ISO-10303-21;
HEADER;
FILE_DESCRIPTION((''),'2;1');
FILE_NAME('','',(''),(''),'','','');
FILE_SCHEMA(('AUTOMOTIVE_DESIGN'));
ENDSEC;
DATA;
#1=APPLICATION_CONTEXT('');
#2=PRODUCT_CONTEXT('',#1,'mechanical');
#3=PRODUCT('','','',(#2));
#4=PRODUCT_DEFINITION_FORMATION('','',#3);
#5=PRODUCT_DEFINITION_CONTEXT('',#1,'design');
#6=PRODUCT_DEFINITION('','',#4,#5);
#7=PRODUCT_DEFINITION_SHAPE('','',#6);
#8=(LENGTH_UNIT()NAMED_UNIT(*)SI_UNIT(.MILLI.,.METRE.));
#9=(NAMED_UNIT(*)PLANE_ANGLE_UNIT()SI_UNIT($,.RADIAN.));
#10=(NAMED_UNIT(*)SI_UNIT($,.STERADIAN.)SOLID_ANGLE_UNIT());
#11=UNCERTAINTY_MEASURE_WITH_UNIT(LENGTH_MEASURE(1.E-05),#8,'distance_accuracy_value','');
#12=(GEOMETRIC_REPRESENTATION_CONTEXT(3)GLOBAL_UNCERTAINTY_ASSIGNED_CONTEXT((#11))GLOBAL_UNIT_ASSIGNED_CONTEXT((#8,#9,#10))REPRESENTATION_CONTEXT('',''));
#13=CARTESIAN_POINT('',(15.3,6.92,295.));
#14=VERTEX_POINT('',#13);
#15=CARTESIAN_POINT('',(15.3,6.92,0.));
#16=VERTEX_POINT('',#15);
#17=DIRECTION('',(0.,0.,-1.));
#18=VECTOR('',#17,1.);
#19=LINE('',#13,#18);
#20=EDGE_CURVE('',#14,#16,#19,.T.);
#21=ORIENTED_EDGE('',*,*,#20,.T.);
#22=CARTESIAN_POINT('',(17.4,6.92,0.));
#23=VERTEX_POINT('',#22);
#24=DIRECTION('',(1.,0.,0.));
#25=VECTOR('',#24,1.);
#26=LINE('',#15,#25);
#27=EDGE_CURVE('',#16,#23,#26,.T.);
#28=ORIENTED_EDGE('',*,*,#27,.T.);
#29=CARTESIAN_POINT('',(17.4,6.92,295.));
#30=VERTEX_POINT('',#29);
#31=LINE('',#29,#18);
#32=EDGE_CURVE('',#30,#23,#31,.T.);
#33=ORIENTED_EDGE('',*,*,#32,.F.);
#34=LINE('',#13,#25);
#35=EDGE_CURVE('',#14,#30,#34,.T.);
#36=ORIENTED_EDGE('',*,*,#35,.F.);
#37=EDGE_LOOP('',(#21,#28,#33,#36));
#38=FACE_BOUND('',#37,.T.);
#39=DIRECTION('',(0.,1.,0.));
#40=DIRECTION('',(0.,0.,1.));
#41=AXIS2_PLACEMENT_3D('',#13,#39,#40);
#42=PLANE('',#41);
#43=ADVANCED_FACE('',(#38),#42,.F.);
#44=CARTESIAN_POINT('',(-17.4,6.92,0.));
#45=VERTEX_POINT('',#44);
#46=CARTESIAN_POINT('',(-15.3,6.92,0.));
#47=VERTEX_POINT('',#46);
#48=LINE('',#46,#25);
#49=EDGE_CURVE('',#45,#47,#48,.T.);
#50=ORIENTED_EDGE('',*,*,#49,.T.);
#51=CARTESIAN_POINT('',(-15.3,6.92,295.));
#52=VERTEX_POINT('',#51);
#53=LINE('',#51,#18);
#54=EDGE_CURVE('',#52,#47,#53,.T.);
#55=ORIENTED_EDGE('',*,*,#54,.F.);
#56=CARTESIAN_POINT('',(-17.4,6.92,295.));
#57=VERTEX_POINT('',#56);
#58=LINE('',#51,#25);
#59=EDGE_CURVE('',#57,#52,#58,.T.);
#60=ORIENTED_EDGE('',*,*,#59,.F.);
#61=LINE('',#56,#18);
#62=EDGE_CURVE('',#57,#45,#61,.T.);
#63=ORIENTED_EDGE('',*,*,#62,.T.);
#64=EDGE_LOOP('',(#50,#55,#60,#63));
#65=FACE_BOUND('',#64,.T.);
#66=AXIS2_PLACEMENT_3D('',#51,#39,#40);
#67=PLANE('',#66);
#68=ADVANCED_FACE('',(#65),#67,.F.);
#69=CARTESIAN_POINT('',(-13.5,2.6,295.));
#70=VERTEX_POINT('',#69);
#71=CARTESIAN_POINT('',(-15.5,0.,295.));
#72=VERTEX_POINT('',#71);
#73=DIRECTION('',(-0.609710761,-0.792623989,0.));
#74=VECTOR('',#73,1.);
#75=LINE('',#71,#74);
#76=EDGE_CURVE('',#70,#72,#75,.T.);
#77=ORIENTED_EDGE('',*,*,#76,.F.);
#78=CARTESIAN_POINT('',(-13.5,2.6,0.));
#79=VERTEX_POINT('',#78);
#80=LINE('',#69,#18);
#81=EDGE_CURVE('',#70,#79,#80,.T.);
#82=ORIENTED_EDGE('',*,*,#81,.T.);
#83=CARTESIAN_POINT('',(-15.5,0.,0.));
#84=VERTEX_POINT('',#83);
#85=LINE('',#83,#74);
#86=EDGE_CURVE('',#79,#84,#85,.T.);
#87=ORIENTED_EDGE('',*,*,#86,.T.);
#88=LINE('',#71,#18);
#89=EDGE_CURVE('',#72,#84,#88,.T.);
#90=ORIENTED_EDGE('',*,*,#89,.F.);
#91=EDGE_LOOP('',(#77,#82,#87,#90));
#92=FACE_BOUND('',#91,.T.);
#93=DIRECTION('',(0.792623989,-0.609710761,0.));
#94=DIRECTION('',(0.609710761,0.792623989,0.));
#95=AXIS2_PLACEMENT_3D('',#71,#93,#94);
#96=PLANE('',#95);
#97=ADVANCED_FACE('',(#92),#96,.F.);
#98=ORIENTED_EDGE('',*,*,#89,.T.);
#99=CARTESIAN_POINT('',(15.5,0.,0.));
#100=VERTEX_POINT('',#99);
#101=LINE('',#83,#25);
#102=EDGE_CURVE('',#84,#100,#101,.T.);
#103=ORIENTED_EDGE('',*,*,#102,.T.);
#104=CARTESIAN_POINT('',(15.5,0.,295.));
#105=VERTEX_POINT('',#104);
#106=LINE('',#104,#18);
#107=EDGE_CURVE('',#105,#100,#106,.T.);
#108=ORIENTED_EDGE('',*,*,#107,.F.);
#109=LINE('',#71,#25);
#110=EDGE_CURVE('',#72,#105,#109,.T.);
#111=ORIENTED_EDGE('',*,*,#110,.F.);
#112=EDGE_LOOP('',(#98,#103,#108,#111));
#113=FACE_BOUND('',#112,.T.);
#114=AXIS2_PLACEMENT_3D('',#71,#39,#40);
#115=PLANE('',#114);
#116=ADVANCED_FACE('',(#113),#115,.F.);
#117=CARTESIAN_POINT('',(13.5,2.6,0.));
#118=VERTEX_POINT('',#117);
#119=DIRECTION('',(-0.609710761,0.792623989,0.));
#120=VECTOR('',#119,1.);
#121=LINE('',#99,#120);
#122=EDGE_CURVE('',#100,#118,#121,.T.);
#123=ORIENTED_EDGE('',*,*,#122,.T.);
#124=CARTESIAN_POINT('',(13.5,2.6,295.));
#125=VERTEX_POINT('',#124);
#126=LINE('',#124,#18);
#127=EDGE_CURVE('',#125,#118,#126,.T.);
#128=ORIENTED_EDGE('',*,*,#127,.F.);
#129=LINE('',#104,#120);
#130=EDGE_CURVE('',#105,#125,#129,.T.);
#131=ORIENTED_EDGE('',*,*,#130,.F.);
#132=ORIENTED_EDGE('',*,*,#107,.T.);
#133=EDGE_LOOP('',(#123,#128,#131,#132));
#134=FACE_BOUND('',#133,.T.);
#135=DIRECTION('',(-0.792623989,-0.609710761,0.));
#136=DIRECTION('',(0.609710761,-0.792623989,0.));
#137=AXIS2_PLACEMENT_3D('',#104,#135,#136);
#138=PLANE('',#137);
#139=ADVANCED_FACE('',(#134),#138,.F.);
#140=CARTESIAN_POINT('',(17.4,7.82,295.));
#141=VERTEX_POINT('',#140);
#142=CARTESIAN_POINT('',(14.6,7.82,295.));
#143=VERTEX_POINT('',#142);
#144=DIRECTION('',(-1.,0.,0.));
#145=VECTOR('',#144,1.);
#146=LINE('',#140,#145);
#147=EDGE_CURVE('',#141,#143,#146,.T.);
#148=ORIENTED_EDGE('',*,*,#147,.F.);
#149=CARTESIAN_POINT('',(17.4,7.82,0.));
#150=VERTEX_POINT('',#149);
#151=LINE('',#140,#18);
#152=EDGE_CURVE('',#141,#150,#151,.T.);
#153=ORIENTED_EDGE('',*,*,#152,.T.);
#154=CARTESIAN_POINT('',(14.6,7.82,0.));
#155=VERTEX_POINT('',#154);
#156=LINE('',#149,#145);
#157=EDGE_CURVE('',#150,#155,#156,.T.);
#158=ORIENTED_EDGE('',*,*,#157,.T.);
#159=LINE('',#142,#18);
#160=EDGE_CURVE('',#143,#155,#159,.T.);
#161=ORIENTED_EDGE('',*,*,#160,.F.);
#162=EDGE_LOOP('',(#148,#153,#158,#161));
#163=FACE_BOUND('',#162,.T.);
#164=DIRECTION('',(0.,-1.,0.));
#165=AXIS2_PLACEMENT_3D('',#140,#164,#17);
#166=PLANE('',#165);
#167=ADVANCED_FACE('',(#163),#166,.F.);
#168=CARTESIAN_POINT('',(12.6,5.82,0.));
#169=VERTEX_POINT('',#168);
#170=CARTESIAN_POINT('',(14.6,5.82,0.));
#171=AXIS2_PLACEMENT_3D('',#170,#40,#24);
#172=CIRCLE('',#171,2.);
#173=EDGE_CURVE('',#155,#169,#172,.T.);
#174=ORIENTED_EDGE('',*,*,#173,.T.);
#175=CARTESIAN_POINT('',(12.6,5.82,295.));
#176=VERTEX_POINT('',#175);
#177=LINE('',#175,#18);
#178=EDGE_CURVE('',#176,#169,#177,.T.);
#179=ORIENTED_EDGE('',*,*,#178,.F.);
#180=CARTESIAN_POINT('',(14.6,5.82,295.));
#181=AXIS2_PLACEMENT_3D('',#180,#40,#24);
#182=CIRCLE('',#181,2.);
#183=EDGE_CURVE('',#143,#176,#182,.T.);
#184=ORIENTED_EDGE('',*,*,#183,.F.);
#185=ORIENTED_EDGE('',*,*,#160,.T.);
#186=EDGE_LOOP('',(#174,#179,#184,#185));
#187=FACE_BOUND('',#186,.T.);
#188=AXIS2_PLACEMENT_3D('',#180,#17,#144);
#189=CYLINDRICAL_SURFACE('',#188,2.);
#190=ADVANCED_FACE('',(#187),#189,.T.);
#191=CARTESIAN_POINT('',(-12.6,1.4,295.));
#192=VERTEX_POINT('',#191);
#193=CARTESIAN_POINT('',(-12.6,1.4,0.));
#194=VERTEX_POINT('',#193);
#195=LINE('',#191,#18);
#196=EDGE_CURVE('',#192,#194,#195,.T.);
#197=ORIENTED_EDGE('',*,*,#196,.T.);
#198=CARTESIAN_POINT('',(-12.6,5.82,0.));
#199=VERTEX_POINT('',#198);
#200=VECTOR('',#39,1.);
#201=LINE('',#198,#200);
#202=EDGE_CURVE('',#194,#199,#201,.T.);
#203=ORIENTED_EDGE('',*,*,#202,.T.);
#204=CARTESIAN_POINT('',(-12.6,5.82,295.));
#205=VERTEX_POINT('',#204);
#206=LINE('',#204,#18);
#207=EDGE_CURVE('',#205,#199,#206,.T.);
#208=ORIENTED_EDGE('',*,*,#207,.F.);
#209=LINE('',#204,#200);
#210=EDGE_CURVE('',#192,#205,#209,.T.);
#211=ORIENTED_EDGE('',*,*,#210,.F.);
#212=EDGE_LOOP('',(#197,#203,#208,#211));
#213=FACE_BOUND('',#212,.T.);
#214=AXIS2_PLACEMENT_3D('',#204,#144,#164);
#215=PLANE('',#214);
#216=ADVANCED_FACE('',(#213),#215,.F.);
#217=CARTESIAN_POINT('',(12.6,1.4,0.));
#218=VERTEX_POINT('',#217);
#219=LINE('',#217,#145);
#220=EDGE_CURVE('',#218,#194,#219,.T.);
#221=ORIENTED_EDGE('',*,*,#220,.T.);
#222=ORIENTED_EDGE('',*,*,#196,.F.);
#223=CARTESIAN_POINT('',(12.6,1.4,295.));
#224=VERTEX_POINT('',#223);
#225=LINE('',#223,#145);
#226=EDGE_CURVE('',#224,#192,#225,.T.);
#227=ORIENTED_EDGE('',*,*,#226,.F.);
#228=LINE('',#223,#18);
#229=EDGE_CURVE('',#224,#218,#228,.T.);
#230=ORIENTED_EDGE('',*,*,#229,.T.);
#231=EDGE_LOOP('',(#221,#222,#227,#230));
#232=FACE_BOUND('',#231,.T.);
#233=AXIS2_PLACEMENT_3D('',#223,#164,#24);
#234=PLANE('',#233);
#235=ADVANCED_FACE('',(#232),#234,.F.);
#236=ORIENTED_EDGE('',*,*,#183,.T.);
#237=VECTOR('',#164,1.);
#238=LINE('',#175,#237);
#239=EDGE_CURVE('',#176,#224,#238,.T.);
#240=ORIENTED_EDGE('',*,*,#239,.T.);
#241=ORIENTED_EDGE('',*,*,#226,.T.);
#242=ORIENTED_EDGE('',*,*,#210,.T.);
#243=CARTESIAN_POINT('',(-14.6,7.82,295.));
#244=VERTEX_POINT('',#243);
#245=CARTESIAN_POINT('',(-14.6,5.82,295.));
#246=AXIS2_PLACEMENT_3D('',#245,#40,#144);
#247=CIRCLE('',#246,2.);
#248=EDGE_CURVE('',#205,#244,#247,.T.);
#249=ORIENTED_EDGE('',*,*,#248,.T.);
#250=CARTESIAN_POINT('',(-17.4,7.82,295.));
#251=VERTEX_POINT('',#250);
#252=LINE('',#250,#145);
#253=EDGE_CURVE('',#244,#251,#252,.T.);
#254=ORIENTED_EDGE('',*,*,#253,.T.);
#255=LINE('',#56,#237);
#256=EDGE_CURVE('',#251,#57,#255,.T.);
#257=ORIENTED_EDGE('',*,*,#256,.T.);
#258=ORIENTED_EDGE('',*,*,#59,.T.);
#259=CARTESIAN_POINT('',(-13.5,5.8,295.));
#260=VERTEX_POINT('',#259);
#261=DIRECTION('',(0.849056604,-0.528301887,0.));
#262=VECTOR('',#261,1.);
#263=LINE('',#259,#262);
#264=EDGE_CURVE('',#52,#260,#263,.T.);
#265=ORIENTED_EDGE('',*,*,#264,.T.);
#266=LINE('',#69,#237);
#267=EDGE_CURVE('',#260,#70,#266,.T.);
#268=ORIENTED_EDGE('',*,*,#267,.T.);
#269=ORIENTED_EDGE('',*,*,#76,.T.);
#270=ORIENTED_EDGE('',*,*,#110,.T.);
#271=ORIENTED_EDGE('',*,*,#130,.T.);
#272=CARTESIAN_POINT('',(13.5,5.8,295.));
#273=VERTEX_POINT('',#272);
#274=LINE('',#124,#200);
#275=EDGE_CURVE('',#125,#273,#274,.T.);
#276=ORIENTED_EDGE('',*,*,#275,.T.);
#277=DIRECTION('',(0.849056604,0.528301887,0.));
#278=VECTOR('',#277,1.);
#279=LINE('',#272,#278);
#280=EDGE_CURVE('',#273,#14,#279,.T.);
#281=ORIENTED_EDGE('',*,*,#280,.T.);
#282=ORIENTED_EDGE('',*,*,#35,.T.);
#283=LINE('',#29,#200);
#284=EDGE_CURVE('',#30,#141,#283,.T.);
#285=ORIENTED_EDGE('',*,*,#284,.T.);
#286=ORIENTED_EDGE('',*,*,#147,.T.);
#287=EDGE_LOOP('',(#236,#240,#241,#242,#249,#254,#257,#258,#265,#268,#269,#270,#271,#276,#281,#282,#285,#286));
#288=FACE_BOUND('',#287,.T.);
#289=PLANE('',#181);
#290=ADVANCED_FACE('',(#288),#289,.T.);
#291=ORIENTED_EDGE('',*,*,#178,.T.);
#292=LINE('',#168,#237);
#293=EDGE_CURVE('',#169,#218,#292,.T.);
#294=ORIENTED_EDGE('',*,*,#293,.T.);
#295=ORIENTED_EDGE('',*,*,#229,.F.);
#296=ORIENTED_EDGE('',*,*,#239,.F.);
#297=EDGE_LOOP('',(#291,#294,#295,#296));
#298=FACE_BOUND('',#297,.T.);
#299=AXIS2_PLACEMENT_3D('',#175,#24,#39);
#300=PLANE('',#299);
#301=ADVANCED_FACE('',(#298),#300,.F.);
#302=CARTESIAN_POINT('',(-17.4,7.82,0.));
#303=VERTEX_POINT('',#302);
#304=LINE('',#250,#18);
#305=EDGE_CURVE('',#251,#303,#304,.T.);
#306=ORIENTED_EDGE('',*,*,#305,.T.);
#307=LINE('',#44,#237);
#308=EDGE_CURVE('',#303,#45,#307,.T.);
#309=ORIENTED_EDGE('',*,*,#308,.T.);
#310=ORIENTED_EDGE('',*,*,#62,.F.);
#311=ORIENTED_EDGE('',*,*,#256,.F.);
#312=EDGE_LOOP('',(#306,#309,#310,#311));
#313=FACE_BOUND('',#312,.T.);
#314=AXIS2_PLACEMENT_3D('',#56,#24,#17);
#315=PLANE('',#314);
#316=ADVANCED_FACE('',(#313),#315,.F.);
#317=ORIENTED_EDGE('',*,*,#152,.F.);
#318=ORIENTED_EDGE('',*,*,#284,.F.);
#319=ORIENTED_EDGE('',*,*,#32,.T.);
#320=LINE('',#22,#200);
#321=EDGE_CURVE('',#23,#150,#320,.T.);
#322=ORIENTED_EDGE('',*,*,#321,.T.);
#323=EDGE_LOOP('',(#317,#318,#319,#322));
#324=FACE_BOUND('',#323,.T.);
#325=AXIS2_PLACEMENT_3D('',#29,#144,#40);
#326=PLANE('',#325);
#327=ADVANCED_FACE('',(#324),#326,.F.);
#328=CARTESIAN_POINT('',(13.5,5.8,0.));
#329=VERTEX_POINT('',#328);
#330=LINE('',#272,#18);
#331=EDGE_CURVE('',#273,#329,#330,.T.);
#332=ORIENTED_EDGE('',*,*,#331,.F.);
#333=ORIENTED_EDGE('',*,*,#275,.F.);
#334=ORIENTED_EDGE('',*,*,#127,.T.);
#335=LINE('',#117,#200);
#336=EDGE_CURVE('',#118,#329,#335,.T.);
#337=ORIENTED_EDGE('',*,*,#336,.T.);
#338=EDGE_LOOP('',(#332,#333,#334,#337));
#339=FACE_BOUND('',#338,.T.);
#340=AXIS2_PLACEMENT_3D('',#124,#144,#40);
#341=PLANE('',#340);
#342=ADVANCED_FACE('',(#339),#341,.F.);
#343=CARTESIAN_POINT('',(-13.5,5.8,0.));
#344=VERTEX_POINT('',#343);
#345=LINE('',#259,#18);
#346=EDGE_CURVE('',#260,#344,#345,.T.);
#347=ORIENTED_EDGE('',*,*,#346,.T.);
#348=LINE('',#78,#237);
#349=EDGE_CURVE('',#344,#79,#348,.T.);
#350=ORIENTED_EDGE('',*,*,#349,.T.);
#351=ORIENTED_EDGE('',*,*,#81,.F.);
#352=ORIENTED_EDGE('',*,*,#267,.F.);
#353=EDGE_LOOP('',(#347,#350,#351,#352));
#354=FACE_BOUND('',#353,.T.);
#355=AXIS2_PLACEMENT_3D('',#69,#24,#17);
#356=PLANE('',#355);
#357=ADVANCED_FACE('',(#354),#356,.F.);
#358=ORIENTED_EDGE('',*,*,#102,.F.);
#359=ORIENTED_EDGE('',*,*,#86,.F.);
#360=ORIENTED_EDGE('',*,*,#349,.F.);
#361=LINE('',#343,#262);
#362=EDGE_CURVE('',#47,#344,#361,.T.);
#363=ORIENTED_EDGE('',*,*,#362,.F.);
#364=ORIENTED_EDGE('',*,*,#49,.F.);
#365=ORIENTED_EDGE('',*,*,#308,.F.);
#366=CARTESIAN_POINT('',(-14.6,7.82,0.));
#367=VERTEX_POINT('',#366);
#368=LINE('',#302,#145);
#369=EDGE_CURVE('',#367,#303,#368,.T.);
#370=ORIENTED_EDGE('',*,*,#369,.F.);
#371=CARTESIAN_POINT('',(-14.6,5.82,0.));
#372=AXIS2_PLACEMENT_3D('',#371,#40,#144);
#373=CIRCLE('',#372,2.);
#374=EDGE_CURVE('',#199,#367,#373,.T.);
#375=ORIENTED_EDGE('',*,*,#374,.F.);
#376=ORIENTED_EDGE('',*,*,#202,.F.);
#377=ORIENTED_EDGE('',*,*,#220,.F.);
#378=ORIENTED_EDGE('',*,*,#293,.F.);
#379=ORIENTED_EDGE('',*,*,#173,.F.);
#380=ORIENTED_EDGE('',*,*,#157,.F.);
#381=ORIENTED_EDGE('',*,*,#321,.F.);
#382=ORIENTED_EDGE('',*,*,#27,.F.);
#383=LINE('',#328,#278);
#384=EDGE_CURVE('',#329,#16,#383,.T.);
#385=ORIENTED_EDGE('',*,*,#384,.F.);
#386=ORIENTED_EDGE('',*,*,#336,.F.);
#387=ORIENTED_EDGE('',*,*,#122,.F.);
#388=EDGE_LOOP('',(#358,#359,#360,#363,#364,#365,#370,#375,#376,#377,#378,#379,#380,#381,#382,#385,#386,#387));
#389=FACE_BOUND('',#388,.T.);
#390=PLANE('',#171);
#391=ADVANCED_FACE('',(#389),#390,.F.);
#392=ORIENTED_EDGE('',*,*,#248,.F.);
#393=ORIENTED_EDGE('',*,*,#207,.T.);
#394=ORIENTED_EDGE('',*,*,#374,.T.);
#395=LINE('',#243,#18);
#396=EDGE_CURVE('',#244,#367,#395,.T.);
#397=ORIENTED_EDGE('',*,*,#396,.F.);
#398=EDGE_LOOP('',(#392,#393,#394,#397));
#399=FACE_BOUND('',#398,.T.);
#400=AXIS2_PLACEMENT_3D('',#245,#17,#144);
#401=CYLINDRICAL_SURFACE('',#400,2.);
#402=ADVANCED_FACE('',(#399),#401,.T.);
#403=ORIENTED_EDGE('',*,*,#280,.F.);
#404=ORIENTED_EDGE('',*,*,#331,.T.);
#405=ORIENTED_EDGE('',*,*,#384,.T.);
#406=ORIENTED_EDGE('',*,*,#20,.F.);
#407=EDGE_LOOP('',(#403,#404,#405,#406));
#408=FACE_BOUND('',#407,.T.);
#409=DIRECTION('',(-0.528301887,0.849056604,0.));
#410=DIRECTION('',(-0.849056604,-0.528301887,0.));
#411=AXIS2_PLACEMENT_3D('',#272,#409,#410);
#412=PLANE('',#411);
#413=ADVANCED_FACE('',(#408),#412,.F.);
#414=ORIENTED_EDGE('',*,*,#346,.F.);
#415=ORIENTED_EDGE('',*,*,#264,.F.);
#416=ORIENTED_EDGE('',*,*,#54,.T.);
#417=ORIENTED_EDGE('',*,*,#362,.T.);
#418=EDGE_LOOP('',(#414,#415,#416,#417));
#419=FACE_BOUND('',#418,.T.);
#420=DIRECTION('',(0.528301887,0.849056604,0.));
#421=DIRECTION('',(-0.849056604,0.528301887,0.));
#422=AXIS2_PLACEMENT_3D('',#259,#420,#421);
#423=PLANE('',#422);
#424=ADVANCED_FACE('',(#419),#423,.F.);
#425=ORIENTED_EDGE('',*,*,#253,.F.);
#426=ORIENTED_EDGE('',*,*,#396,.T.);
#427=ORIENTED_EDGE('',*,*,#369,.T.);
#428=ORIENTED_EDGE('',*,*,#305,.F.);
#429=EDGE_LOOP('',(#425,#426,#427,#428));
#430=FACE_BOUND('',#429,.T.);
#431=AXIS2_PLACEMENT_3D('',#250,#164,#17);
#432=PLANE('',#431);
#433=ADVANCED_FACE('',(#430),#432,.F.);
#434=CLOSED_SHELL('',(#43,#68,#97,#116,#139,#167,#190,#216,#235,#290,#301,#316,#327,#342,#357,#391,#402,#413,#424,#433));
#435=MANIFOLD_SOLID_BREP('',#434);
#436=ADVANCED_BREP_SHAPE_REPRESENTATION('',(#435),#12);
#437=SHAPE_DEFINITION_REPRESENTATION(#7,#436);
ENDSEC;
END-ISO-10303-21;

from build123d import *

# Parameters (mm, degrees)
BOSS_EXTRUDE1_DEPTH = 295


with BuildPart() as part:
    # Sketch1 → Boss-Extrude1 (new body)
    with BuildSketch(Plane.XY):
        with BuildLine():
            Line((-15.5, 0), (15.5, 0))
            Line((15.5, 0), (13.5, 2.6))
            Line((13.5, 2.6), (13.5, 5.8))
            Line((13.5, 5.8), (15.3, 6.92))
            Line((15.3, 6.92), (17.4, 6.92))
            Line((17.4, 6.92), (17.4, 7.82))
            Line((17.4, 7.82), (14.6, 7.82))
            ThreePointArc((14.6, 7.82), (13.185786438, 7.234213562), (12.6, 5.82))
            Line((12.6, 5.82), (12.6, 1.4))
            Line((12.6, 1.4), (-12.6, 1.4))
            Line((-12.6, 1.4), (-12.6, 5.82))
            ThreePointArc((-12.6, 5.82), (-13.185786438, 7.234213562), (-14.6, 7.82))
            Line((-14.6, 7.82), (-17.4, 7.82))
            Line((-17.4, 7.82), (-17.4, 6.92))
            Line((-17.4, 6.92), (-15.3, 6.92))
            Line((-15.3, 6.92), (-13.5, 5.8))
            Line((-13.5, 5.8), (-13.5, 2.6))
            Line((-13.5, 2.6), (-15.5, 0))
        make_face()
    extrude(amount=BOSS_EXTRUDE1_DEPTH)


solid = part.part
